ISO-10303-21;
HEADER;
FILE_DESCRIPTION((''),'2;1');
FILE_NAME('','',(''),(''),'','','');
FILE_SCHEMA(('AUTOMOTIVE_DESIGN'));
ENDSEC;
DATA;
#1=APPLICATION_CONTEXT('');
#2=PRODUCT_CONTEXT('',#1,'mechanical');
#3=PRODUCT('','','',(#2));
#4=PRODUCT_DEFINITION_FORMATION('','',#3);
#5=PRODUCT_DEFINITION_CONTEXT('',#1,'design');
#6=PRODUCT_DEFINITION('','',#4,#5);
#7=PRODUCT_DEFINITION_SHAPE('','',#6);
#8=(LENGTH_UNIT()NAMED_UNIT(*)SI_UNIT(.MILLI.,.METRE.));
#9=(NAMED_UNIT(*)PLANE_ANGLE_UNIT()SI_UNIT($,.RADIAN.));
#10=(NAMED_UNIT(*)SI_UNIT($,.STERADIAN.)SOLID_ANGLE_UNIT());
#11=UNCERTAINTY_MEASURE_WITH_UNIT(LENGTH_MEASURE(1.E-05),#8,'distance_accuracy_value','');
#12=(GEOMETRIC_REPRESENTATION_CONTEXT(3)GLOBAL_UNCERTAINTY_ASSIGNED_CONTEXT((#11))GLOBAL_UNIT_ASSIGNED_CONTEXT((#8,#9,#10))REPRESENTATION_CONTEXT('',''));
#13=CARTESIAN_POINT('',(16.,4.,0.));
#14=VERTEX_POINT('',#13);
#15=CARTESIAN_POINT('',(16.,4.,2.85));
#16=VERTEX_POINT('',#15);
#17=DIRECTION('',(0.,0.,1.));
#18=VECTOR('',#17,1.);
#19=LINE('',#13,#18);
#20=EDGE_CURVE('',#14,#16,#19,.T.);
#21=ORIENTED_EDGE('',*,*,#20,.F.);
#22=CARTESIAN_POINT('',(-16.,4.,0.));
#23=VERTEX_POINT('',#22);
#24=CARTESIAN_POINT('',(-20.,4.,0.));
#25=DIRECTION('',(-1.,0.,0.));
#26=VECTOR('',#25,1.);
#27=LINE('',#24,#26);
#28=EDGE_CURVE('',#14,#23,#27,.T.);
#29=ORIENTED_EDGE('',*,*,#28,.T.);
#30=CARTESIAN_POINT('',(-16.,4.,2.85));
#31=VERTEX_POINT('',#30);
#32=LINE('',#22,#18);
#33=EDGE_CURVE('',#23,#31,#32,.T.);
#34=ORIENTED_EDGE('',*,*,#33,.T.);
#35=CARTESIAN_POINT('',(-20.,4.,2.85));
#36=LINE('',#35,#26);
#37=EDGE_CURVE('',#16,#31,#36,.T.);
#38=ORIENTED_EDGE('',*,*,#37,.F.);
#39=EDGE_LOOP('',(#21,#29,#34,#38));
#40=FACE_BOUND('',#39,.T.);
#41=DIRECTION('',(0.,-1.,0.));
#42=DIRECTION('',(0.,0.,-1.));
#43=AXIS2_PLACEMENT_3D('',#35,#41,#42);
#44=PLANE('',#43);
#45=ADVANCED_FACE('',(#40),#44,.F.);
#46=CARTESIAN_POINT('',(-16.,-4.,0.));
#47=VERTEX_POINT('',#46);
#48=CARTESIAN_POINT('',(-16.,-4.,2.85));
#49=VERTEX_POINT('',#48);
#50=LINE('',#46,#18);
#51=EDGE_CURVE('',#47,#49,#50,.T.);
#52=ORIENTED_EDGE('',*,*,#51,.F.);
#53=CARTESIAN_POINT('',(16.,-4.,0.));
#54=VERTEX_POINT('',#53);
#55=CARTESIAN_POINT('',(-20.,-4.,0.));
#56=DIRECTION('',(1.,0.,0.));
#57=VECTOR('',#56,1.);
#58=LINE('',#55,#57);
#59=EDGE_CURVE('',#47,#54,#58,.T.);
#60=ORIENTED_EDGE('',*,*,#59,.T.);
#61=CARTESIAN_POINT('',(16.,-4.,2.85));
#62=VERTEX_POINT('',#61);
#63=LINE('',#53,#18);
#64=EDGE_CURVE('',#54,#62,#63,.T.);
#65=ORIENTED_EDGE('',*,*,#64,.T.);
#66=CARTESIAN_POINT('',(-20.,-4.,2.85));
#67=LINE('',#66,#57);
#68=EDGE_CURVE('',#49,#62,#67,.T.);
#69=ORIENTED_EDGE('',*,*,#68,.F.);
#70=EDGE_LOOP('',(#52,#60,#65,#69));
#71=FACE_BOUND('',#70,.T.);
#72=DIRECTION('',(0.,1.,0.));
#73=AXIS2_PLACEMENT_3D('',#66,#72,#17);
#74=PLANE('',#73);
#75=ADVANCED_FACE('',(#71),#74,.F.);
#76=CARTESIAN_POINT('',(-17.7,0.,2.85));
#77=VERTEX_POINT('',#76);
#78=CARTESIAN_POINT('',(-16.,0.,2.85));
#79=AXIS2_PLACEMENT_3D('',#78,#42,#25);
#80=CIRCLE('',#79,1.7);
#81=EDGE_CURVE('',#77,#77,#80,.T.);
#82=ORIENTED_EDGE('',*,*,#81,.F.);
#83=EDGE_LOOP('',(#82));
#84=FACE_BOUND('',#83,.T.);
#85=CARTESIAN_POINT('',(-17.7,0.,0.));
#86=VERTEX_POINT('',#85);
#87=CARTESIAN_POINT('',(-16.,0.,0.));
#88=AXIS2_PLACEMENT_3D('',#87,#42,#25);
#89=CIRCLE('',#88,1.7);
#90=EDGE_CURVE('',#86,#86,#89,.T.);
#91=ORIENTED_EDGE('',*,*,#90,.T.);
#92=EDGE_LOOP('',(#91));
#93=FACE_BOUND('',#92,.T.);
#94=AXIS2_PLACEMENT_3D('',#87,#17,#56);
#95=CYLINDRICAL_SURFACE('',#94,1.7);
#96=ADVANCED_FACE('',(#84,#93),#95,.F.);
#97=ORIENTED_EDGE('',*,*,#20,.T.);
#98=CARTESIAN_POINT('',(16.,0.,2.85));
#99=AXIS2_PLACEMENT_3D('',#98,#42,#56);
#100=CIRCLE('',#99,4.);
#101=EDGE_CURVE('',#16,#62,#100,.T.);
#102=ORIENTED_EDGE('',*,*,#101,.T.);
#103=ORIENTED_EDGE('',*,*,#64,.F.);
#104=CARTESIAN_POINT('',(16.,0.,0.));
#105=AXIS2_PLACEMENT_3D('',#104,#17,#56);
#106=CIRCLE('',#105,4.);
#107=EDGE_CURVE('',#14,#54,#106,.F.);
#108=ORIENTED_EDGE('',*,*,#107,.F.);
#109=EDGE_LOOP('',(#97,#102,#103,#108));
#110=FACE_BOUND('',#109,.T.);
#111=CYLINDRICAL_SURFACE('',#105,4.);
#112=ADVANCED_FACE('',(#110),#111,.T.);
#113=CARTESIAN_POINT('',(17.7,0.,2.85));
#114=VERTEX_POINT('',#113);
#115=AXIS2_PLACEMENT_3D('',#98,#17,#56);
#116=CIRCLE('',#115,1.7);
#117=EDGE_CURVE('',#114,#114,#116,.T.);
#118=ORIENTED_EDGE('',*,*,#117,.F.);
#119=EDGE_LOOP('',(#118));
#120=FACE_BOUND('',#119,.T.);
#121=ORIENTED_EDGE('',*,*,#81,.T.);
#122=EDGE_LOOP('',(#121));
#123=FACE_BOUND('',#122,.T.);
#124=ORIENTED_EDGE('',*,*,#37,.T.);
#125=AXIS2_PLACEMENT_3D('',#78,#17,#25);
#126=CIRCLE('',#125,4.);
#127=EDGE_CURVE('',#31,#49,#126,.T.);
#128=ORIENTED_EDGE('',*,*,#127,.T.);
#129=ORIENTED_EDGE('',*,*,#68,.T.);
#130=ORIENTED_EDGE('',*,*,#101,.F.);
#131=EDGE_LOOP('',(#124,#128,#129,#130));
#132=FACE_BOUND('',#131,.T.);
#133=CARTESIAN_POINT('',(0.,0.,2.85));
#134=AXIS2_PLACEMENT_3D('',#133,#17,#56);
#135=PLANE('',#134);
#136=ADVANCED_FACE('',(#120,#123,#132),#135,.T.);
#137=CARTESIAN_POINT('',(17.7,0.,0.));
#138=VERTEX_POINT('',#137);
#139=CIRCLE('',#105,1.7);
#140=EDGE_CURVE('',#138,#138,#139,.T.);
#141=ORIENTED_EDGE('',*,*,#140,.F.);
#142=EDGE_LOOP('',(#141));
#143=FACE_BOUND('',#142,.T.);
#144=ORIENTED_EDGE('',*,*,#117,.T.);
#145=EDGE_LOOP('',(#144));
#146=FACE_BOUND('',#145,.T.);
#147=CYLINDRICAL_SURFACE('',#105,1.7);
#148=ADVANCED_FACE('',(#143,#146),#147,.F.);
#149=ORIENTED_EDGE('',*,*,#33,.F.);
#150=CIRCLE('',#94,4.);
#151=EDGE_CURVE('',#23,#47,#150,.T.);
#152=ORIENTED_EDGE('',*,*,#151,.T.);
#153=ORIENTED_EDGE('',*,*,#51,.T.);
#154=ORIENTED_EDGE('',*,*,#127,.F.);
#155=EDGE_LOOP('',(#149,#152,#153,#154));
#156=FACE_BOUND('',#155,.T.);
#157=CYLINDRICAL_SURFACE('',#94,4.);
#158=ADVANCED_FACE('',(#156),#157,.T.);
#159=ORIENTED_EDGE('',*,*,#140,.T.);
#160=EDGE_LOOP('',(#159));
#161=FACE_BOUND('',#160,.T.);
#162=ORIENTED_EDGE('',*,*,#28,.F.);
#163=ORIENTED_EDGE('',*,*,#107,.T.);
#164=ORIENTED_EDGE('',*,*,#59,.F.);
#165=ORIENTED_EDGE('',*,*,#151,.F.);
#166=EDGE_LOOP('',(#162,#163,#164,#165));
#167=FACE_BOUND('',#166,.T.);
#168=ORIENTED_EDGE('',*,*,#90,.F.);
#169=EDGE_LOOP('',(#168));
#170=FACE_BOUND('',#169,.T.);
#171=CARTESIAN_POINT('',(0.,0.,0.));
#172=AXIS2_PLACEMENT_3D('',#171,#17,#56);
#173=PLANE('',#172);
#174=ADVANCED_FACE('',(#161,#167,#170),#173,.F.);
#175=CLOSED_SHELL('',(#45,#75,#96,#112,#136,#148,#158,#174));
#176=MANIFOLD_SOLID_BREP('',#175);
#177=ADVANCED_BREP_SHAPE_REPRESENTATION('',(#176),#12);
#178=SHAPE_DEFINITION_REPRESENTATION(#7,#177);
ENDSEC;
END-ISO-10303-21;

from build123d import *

# Parameters (mm, degrees)
SKETCH1_W           = 40
SKETCH1_H           = 8
BOSS_EXTRUDE1_DEPTH = 2.85
CUT_EXTRUDE1_DEPTH  = 21.59423463
SKETCH3_R           = 1.7
CUT_EXTRUDE2_DEPTH  = 21.59423463


with BuildPart() as part:
    # Sketch1 → Boss-Extrude1 (new body)
    with BuildSketch(Plane.XY):
        Rectangle(SKETCH1_W, SKETCH1_H)
    extrude(amount=BOSS_EXTRUDE1_DEPTH)

    # Sketch2 → Cut-Extrude1 (cut, through all)
    with BuildSketch(Plane.XY.offset(2.85)):
        with BuildLine():
            Line((16, -4), (21, -4))
            Line((21, -4), (21, 4))
            Line((21, 4), (16, 4))
            ThreePointArc((16, 4), (20, 0), (16, -4))
        make_face()
    cut_extrude1 = extrude(amount=-CUT_EXTRUDE1_DEPTH, mode=Mode.SUBTRACT)

    # Sketch3 → Cut-Extrude2 (cut, through all)
    with BuildSketch(Plane.XY.offset(2.85)):
        with Locations((16, 0)):
            Circle(SKETCH3_R)
    cut_extrude2 = extrude(amount=-CUT_EXTRUDE2_DEPTH, mode=Mode.SUBTRACT)

    # Mirror1: Cut-Extrude1, Cut-Extrude2 across plane
    add(cut_extrude1.mirror(Plane(origin=(0, 0, 0), x_dir=(0, 0, 1), z_dir=(1, 0, 0))), mode=Mode.SUBTRACT)
    add(cut_extrude2.mirror(Plane(origin=(0, 0, 0), x_dir=(0, 0, 1), z_dir=(1, 0, 0))), mode=Mode.SUBTRACT)


solid = part.part
